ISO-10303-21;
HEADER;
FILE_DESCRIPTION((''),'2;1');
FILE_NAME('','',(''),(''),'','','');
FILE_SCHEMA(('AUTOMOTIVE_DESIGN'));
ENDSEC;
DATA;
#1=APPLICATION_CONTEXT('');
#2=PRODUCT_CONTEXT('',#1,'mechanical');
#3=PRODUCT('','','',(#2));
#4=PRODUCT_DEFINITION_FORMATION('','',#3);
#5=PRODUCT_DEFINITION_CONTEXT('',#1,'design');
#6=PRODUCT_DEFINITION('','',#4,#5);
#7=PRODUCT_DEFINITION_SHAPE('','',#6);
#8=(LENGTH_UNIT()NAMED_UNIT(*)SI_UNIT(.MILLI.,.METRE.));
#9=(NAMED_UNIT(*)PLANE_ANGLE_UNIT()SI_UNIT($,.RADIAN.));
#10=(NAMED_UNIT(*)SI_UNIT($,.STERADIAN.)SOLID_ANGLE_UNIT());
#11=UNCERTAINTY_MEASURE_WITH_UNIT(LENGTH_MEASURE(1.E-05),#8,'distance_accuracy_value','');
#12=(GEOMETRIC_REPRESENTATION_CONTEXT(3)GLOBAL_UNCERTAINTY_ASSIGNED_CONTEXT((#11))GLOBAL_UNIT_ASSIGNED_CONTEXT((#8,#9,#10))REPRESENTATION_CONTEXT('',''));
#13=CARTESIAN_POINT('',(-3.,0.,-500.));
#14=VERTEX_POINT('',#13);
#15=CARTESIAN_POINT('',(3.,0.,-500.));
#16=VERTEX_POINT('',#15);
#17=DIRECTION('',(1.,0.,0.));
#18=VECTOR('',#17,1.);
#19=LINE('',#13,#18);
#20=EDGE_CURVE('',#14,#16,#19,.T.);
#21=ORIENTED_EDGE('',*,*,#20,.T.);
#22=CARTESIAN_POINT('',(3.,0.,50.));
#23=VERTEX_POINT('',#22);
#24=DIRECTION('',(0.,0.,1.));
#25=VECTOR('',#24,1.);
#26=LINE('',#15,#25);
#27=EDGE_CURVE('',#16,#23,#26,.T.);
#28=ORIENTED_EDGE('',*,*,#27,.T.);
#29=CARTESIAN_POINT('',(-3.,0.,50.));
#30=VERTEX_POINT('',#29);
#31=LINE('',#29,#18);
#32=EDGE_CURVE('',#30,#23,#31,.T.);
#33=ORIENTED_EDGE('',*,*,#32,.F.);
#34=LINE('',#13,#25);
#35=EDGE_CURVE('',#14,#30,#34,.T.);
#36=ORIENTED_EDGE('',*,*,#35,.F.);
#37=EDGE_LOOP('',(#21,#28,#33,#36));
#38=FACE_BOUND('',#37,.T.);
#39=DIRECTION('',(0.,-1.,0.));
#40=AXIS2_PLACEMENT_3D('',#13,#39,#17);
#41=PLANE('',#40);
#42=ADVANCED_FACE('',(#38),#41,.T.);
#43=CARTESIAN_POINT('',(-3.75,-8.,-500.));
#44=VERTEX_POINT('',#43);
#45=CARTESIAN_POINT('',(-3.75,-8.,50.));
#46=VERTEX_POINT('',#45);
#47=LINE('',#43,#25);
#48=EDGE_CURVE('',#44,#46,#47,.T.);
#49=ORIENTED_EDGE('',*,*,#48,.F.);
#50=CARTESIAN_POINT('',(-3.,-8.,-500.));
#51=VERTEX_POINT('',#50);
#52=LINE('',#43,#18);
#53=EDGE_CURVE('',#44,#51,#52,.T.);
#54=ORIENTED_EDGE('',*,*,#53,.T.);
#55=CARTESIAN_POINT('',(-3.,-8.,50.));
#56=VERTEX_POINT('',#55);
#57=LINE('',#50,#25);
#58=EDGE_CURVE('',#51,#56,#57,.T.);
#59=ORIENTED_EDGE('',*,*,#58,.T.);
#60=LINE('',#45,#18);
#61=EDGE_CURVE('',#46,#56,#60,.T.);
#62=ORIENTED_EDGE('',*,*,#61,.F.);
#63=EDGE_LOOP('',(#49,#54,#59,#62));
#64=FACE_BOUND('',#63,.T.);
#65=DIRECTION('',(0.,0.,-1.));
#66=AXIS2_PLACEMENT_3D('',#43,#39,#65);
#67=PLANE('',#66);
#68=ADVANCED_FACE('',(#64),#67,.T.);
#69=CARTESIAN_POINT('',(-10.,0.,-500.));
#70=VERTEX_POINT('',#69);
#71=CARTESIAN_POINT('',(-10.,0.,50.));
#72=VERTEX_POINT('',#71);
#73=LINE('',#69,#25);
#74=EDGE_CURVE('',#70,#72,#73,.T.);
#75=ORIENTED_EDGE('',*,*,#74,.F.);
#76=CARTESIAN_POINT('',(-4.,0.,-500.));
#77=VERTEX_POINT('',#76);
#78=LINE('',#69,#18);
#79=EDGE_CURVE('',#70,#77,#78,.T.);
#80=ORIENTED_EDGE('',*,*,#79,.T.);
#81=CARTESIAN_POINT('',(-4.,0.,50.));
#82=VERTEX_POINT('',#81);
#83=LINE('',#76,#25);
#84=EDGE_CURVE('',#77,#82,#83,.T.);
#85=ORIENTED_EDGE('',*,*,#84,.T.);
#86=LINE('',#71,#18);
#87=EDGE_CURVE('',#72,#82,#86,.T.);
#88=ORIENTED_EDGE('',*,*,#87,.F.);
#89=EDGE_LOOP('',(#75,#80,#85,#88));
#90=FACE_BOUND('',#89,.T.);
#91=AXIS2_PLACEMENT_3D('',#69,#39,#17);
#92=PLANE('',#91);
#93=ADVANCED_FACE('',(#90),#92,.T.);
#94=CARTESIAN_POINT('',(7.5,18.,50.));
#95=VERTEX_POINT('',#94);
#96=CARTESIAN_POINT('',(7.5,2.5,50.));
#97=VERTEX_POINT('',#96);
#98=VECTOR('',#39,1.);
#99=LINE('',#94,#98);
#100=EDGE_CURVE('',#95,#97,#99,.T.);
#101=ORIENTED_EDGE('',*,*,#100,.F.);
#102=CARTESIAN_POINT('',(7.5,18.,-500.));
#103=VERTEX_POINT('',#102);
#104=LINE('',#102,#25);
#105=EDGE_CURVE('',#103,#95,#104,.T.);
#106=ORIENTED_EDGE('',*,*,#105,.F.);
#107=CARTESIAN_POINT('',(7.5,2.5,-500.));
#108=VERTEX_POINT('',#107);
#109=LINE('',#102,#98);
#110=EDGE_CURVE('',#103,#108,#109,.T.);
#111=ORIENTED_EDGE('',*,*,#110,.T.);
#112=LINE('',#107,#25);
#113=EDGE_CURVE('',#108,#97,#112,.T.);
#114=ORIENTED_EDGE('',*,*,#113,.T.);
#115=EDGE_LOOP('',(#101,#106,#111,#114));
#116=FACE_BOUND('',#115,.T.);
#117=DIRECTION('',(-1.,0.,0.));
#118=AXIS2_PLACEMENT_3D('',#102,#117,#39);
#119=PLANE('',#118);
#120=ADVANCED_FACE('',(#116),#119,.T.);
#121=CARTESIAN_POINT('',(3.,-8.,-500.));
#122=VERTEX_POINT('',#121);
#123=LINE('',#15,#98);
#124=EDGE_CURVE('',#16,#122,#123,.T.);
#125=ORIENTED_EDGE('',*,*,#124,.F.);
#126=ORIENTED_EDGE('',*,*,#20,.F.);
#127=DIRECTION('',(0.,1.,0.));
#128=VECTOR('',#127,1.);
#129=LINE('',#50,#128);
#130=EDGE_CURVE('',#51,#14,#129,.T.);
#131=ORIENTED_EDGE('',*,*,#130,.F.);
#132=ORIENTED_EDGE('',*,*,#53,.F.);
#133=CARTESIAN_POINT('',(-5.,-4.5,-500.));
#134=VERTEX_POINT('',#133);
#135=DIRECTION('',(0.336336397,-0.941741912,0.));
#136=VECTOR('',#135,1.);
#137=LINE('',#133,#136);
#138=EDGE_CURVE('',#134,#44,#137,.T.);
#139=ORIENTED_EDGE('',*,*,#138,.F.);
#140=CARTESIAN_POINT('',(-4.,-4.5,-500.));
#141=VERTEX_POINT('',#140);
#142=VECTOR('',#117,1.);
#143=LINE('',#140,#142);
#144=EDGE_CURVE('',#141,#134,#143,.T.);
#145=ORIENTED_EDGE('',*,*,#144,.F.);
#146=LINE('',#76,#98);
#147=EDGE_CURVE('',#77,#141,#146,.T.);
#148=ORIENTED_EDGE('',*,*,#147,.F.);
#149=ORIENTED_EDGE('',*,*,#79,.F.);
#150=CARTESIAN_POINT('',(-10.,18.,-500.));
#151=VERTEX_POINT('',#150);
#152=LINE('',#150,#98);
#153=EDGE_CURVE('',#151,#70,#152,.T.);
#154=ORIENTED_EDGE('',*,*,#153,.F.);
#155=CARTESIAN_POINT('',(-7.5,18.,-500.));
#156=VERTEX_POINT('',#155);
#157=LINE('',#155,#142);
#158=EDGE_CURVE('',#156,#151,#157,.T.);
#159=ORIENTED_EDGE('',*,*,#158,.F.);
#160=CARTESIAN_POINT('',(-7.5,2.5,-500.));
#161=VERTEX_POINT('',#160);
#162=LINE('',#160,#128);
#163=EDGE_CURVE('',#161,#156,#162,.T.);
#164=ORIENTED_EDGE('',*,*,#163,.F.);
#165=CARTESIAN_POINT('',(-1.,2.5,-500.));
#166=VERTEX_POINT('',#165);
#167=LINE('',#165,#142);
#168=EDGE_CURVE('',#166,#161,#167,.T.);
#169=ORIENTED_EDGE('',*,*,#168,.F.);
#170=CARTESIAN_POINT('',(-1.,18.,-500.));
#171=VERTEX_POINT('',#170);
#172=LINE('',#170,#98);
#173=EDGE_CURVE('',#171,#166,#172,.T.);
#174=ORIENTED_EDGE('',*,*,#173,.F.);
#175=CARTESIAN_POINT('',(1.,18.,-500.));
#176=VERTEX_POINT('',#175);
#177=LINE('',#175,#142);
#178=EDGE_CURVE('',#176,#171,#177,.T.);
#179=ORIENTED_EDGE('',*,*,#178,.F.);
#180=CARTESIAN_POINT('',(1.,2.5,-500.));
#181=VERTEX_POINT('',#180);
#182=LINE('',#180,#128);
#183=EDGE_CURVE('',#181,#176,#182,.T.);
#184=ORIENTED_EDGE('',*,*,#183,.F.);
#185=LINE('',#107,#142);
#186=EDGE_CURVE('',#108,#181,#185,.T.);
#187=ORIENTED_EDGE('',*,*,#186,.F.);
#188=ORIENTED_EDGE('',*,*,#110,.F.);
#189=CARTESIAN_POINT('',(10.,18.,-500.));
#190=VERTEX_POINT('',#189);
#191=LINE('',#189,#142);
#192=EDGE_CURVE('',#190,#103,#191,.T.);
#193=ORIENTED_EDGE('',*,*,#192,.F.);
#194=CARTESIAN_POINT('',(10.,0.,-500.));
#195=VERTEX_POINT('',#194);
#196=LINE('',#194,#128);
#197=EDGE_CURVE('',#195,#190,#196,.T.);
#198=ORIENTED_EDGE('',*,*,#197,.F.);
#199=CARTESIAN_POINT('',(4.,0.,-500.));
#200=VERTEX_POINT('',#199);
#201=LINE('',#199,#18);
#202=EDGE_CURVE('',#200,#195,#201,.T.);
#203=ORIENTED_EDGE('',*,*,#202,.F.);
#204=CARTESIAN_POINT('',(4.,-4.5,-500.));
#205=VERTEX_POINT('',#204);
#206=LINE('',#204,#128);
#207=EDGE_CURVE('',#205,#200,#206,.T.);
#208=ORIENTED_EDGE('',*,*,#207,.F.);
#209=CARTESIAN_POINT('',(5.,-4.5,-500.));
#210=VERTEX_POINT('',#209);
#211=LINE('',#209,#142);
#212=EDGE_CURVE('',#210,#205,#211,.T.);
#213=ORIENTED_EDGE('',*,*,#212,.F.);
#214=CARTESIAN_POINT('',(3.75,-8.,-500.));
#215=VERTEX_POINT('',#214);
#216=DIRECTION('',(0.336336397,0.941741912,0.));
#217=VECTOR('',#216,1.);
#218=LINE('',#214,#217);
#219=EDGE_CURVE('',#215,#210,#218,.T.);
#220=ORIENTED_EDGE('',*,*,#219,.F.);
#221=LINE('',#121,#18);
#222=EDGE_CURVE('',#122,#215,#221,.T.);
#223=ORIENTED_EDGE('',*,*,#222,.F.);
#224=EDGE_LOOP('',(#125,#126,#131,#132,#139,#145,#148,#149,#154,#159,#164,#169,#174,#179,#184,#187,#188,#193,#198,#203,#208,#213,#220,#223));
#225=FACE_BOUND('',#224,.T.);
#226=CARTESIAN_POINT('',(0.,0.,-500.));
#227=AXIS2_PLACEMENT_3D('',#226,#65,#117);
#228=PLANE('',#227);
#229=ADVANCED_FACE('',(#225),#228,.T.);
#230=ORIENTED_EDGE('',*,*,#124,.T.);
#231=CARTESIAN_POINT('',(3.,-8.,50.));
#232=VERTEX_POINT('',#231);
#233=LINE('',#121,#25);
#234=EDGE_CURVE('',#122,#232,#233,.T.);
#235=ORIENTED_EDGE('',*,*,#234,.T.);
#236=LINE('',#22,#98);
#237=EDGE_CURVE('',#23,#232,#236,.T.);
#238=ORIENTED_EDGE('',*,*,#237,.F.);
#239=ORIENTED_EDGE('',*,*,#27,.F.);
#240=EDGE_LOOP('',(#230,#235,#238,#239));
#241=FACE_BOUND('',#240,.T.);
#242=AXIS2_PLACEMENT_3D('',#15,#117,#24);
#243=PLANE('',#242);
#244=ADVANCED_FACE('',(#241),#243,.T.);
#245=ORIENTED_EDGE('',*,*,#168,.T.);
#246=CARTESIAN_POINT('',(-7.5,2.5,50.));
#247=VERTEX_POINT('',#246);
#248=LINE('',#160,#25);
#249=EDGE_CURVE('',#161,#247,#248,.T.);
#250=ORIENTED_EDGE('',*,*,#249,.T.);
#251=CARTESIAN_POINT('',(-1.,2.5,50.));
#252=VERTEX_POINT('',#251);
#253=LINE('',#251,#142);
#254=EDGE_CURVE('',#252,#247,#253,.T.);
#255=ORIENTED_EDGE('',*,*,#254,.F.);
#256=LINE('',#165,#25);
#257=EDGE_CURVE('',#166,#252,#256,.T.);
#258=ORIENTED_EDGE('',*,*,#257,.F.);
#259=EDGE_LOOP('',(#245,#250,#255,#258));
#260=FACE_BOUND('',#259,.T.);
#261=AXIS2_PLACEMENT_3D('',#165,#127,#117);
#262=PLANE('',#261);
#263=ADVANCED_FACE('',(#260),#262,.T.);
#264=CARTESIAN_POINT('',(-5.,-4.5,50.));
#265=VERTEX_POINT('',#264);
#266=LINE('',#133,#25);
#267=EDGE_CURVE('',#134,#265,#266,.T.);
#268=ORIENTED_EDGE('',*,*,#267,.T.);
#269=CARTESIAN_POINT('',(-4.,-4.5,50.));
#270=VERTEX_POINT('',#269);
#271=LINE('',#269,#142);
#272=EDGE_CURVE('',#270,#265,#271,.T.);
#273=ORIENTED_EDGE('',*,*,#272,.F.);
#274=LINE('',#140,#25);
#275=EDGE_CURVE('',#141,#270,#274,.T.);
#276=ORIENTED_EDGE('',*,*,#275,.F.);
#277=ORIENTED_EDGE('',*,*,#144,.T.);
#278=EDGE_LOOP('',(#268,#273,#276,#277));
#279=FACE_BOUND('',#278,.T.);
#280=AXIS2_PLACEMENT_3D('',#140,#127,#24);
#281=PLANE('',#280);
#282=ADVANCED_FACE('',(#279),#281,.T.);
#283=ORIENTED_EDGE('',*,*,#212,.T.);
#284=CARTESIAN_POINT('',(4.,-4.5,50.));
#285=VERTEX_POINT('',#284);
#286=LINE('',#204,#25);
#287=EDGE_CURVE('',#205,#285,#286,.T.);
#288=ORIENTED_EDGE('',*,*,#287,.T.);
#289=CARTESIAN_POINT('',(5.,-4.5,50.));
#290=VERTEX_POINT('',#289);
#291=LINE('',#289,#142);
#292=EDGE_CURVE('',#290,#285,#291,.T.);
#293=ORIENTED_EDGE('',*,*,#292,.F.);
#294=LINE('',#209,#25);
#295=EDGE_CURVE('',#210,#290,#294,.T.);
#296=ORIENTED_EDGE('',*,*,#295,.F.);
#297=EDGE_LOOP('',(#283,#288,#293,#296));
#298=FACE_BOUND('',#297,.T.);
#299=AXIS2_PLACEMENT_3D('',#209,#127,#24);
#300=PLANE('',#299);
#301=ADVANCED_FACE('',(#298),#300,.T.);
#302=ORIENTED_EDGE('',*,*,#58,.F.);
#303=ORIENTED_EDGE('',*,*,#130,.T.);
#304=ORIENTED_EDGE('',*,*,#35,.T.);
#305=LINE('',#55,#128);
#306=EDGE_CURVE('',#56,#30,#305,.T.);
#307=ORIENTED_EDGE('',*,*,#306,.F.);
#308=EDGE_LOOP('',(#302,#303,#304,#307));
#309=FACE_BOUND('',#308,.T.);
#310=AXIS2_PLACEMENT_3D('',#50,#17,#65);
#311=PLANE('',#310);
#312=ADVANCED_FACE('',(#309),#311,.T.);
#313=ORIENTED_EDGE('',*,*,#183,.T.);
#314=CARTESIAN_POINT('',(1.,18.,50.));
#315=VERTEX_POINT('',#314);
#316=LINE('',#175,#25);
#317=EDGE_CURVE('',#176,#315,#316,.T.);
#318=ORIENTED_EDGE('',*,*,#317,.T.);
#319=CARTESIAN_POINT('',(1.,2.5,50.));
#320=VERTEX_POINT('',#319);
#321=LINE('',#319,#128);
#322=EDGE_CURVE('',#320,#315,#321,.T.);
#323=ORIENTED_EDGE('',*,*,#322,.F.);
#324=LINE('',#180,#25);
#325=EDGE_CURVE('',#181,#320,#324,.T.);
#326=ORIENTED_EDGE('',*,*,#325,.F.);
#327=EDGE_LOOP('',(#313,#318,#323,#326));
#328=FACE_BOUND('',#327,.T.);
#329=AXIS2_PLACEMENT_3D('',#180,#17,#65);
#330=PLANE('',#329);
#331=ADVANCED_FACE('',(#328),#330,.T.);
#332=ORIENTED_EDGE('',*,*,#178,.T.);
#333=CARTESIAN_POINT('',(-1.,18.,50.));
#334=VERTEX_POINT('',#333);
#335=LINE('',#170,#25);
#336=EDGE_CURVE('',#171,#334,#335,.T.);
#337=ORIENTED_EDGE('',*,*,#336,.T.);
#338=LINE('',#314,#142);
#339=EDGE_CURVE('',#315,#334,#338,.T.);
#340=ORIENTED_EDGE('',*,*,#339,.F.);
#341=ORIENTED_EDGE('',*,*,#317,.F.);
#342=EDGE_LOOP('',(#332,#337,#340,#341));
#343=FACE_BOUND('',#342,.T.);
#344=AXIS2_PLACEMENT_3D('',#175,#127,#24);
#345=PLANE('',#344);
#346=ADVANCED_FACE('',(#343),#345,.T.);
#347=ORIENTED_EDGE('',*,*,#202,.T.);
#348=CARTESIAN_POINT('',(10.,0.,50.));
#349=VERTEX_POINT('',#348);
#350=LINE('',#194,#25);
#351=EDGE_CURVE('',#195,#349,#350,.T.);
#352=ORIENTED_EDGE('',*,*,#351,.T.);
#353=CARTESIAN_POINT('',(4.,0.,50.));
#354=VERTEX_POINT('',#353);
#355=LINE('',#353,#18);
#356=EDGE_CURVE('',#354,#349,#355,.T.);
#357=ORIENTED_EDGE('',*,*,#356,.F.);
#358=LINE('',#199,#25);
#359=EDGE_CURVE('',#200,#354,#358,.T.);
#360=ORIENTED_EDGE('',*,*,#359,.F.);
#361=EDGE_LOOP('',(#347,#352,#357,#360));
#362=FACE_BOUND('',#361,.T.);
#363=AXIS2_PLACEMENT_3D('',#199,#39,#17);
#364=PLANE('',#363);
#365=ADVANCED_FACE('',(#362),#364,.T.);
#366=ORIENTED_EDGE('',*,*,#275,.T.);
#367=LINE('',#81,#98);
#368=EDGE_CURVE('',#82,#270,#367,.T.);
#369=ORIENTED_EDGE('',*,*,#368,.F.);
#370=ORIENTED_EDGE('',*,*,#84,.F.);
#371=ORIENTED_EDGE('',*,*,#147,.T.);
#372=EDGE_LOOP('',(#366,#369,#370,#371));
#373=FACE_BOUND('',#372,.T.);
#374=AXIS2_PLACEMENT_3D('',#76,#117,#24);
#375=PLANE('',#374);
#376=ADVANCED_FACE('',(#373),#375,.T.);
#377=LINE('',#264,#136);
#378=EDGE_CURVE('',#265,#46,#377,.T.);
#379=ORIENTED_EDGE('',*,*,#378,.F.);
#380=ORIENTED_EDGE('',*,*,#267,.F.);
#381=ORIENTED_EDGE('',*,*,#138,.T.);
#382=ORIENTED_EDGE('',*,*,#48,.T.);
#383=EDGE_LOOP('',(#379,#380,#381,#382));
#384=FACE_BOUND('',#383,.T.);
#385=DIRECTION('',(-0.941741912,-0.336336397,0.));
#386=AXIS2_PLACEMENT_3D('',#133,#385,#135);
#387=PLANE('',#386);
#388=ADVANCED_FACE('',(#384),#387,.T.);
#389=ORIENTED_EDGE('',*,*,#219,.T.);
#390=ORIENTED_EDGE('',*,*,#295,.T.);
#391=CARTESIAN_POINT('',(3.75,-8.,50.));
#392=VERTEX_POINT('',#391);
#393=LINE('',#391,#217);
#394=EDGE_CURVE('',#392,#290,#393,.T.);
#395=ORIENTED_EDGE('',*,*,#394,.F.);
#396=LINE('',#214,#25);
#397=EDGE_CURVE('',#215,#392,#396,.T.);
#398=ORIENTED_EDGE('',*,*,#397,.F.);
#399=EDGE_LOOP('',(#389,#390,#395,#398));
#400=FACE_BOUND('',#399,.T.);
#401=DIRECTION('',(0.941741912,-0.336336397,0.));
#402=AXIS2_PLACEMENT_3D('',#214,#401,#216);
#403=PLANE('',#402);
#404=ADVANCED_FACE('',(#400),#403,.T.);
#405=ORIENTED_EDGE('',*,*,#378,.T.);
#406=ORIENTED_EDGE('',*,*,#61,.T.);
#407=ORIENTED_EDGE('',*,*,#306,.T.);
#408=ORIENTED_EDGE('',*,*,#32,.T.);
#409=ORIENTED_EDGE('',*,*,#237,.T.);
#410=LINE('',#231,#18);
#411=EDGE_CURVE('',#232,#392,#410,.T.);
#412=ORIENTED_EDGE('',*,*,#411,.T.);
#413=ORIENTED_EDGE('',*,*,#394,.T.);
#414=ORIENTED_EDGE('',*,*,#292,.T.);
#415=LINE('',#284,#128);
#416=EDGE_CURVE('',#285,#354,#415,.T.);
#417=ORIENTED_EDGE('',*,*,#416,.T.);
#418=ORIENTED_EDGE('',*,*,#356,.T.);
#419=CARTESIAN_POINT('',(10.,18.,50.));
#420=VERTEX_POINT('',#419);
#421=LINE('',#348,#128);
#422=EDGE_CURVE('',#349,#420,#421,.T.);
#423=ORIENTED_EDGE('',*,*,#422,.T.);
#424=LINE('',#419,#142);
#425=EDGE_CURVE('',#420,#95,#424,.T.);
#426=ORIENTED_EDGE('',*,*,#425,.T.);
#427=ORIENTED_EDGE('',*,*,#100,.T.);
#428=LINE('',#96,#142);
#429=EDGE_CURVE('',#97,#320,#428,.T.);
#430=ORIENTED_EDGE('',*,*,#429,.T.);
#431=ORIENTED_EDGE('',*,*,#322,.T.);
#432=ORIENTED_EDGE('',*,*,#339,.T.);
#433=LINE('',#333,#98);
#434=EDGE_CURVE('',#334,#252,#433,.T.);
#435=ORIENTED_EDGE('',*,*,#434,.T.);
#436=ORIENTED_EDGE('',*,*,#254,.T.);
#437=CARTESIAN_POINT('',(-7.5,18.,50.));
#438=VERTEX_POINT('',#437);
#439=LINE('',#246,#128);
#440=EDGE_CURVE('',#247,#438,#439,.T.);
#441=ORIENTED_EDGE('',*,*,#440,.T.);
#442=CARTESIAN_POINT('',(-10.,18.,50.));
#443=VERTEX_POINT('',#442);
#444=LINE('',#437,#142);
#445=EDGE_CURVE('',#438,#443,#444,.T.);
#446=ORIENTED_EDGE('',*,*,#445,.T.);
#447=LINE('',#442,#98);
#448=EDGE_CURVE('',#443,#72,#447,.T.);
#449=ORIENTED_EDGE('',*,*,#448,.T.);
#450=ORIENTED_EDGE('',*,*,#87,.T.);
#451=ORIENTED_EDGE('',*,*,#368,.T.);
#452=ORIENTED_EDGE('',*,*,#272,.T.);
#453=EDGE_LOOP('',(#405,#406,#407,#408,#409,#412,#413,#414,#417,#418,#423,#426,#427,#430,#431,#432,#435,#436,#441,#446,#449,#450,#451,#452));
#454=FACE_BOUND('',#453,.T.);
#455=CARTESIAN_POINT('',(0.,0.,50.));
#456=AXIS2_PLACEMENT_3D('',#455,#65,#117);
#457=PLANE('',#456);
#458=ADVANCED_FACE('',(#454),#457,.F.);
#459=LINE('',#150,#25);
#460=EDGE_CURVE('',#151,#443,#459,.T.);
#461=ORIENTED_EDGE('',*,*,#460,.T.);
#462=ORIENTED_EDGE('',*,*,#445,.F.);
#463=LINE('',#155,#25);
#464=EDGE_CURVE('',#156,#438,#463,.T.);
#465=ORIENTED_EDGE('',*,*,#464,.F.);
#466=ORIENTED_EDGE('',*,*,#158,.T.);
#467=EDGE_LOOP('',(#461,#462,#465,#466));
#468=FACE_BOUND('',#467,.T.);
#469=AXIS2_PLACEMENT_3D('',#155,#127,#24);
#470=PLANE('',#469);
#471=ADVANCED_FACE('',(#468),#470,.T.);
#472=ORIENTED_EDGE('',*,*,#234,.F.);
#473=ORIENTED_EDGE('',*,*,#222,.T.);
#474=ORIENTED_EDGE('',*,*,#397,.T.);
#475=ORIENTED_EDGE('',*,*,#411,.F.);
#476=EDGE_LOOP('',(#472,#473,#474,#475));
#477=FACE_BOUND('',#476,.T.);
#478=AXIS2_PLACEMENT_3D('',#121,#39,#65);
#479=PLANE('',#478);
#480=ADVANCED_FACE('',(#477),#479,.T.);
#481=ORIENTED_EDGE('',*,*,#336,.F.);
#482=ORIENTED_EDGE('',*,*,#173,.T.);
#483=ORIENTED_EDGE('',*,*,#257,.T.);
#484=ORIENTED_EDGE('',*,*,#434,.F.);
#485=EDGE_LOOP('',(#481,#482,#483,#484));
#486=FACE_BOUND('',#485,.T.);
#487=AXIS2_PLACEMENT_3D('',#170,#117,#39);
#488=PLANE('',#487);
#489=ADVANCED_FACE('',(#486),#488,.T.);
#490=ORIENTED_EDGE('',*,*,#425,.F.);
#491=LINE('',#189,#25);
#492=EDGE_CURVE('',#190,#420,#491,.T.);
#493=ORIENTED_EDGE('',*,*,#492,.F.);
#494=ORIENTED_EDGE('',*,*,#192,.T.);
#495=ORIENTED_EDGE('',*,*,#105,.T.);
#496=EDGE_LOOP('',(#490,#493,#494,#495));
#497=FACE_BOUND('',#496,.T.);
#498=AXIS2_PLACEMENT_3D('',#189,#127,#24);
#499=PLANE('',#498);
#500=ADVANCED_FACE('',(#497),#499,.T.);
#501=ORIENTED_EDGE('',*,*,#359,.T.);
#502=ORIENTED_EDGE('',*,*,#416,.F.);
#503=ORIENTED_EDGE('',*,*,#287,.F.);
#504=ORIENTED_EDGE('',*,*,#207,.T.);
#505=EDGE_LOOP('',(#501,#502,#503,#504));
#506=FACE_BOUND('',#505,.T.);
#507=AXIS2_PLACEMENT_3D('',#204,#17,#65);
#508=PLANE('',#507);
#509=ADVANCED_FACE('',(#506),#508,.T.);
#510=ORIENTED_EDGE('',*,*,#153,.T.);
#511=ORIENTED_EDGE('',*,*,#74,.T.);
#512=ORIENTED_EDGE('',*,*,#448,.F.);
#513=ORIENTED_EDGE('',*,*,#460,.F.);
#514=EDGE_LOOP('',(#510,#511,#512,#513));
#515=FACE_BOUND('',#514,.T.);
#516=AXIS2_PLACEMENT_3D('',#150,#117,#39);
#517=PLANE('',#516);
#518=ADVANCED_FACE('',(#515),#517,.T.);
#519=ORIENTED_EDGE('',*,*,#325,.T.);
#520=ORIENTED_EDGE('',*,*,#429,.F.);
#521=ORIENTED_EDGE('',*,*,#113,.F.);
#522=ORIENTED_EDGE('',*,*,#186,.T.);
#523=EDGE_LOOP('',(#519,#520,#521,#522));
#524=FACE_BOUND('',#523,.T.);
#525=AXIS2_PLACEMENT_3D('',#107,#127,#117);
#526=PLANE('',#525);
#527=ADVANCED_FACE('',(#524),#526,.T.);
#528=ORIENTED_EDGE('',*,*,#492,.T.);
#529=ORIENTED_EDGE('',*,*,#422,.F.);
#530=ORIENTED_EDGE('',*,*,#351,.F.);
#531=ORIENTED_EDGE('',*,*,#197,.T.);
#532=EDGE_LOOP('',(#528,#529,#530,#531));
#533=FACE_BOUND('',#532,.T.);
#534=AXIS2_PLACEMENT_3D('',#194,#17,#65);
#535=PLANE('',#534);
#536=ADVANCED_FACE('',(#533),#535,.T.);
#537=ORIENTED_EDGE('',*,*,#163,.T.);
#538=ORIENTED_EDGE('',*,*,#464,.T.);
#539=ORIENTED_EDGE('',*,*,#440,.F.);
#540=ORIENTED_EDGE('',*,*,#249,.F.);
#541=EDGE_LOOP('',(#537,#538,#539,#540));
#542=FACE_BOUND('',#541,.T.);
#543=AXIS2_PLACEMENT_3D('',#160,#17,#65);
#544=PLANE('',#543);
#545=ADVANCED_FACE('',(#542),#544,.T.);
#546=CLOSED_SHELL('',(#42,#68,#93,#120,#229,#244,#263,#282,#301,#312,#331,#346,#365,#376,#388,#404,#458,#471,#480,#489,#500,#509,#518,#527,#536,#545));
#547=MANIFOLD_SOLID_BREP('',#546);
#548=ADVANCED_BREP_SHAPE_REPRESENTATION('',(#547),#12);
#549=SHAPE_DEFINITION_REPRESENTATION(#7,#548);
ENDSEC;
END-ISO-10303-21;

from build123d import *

# Parameters (mm, degrees)
BOSS_EXTRU_1_DEPTH = 550


with BuildPart() as part:
    # Esquisse1 → Boss.-Extru.1 (new body)
    with BuildSketch(Plane.XY.offset(50)):
        Polygon((-1, 2.5), (-7.5, 2.5), (-7.5, 17.999999998), (-10, 17.999999998), (-10, 0), (-4, 0), (-4, -4.5), (-5, -4.5), (-3.75, -8), (-3, -8), (-3, 0), (3, 0), (3, -8), (3.75, -8), (5, -4.5), (4, -4.5), (4, 0), (10, 0), (10, 17.999999998), (7.5, 17.999999998), (7.5, 2.5), (1, 2.5), (1, 17.999999998), (-1, 17.999999998), align=None)
    extrude(amount=-BOSS_EXTRU_1_DEPTH)


solid = part.part
